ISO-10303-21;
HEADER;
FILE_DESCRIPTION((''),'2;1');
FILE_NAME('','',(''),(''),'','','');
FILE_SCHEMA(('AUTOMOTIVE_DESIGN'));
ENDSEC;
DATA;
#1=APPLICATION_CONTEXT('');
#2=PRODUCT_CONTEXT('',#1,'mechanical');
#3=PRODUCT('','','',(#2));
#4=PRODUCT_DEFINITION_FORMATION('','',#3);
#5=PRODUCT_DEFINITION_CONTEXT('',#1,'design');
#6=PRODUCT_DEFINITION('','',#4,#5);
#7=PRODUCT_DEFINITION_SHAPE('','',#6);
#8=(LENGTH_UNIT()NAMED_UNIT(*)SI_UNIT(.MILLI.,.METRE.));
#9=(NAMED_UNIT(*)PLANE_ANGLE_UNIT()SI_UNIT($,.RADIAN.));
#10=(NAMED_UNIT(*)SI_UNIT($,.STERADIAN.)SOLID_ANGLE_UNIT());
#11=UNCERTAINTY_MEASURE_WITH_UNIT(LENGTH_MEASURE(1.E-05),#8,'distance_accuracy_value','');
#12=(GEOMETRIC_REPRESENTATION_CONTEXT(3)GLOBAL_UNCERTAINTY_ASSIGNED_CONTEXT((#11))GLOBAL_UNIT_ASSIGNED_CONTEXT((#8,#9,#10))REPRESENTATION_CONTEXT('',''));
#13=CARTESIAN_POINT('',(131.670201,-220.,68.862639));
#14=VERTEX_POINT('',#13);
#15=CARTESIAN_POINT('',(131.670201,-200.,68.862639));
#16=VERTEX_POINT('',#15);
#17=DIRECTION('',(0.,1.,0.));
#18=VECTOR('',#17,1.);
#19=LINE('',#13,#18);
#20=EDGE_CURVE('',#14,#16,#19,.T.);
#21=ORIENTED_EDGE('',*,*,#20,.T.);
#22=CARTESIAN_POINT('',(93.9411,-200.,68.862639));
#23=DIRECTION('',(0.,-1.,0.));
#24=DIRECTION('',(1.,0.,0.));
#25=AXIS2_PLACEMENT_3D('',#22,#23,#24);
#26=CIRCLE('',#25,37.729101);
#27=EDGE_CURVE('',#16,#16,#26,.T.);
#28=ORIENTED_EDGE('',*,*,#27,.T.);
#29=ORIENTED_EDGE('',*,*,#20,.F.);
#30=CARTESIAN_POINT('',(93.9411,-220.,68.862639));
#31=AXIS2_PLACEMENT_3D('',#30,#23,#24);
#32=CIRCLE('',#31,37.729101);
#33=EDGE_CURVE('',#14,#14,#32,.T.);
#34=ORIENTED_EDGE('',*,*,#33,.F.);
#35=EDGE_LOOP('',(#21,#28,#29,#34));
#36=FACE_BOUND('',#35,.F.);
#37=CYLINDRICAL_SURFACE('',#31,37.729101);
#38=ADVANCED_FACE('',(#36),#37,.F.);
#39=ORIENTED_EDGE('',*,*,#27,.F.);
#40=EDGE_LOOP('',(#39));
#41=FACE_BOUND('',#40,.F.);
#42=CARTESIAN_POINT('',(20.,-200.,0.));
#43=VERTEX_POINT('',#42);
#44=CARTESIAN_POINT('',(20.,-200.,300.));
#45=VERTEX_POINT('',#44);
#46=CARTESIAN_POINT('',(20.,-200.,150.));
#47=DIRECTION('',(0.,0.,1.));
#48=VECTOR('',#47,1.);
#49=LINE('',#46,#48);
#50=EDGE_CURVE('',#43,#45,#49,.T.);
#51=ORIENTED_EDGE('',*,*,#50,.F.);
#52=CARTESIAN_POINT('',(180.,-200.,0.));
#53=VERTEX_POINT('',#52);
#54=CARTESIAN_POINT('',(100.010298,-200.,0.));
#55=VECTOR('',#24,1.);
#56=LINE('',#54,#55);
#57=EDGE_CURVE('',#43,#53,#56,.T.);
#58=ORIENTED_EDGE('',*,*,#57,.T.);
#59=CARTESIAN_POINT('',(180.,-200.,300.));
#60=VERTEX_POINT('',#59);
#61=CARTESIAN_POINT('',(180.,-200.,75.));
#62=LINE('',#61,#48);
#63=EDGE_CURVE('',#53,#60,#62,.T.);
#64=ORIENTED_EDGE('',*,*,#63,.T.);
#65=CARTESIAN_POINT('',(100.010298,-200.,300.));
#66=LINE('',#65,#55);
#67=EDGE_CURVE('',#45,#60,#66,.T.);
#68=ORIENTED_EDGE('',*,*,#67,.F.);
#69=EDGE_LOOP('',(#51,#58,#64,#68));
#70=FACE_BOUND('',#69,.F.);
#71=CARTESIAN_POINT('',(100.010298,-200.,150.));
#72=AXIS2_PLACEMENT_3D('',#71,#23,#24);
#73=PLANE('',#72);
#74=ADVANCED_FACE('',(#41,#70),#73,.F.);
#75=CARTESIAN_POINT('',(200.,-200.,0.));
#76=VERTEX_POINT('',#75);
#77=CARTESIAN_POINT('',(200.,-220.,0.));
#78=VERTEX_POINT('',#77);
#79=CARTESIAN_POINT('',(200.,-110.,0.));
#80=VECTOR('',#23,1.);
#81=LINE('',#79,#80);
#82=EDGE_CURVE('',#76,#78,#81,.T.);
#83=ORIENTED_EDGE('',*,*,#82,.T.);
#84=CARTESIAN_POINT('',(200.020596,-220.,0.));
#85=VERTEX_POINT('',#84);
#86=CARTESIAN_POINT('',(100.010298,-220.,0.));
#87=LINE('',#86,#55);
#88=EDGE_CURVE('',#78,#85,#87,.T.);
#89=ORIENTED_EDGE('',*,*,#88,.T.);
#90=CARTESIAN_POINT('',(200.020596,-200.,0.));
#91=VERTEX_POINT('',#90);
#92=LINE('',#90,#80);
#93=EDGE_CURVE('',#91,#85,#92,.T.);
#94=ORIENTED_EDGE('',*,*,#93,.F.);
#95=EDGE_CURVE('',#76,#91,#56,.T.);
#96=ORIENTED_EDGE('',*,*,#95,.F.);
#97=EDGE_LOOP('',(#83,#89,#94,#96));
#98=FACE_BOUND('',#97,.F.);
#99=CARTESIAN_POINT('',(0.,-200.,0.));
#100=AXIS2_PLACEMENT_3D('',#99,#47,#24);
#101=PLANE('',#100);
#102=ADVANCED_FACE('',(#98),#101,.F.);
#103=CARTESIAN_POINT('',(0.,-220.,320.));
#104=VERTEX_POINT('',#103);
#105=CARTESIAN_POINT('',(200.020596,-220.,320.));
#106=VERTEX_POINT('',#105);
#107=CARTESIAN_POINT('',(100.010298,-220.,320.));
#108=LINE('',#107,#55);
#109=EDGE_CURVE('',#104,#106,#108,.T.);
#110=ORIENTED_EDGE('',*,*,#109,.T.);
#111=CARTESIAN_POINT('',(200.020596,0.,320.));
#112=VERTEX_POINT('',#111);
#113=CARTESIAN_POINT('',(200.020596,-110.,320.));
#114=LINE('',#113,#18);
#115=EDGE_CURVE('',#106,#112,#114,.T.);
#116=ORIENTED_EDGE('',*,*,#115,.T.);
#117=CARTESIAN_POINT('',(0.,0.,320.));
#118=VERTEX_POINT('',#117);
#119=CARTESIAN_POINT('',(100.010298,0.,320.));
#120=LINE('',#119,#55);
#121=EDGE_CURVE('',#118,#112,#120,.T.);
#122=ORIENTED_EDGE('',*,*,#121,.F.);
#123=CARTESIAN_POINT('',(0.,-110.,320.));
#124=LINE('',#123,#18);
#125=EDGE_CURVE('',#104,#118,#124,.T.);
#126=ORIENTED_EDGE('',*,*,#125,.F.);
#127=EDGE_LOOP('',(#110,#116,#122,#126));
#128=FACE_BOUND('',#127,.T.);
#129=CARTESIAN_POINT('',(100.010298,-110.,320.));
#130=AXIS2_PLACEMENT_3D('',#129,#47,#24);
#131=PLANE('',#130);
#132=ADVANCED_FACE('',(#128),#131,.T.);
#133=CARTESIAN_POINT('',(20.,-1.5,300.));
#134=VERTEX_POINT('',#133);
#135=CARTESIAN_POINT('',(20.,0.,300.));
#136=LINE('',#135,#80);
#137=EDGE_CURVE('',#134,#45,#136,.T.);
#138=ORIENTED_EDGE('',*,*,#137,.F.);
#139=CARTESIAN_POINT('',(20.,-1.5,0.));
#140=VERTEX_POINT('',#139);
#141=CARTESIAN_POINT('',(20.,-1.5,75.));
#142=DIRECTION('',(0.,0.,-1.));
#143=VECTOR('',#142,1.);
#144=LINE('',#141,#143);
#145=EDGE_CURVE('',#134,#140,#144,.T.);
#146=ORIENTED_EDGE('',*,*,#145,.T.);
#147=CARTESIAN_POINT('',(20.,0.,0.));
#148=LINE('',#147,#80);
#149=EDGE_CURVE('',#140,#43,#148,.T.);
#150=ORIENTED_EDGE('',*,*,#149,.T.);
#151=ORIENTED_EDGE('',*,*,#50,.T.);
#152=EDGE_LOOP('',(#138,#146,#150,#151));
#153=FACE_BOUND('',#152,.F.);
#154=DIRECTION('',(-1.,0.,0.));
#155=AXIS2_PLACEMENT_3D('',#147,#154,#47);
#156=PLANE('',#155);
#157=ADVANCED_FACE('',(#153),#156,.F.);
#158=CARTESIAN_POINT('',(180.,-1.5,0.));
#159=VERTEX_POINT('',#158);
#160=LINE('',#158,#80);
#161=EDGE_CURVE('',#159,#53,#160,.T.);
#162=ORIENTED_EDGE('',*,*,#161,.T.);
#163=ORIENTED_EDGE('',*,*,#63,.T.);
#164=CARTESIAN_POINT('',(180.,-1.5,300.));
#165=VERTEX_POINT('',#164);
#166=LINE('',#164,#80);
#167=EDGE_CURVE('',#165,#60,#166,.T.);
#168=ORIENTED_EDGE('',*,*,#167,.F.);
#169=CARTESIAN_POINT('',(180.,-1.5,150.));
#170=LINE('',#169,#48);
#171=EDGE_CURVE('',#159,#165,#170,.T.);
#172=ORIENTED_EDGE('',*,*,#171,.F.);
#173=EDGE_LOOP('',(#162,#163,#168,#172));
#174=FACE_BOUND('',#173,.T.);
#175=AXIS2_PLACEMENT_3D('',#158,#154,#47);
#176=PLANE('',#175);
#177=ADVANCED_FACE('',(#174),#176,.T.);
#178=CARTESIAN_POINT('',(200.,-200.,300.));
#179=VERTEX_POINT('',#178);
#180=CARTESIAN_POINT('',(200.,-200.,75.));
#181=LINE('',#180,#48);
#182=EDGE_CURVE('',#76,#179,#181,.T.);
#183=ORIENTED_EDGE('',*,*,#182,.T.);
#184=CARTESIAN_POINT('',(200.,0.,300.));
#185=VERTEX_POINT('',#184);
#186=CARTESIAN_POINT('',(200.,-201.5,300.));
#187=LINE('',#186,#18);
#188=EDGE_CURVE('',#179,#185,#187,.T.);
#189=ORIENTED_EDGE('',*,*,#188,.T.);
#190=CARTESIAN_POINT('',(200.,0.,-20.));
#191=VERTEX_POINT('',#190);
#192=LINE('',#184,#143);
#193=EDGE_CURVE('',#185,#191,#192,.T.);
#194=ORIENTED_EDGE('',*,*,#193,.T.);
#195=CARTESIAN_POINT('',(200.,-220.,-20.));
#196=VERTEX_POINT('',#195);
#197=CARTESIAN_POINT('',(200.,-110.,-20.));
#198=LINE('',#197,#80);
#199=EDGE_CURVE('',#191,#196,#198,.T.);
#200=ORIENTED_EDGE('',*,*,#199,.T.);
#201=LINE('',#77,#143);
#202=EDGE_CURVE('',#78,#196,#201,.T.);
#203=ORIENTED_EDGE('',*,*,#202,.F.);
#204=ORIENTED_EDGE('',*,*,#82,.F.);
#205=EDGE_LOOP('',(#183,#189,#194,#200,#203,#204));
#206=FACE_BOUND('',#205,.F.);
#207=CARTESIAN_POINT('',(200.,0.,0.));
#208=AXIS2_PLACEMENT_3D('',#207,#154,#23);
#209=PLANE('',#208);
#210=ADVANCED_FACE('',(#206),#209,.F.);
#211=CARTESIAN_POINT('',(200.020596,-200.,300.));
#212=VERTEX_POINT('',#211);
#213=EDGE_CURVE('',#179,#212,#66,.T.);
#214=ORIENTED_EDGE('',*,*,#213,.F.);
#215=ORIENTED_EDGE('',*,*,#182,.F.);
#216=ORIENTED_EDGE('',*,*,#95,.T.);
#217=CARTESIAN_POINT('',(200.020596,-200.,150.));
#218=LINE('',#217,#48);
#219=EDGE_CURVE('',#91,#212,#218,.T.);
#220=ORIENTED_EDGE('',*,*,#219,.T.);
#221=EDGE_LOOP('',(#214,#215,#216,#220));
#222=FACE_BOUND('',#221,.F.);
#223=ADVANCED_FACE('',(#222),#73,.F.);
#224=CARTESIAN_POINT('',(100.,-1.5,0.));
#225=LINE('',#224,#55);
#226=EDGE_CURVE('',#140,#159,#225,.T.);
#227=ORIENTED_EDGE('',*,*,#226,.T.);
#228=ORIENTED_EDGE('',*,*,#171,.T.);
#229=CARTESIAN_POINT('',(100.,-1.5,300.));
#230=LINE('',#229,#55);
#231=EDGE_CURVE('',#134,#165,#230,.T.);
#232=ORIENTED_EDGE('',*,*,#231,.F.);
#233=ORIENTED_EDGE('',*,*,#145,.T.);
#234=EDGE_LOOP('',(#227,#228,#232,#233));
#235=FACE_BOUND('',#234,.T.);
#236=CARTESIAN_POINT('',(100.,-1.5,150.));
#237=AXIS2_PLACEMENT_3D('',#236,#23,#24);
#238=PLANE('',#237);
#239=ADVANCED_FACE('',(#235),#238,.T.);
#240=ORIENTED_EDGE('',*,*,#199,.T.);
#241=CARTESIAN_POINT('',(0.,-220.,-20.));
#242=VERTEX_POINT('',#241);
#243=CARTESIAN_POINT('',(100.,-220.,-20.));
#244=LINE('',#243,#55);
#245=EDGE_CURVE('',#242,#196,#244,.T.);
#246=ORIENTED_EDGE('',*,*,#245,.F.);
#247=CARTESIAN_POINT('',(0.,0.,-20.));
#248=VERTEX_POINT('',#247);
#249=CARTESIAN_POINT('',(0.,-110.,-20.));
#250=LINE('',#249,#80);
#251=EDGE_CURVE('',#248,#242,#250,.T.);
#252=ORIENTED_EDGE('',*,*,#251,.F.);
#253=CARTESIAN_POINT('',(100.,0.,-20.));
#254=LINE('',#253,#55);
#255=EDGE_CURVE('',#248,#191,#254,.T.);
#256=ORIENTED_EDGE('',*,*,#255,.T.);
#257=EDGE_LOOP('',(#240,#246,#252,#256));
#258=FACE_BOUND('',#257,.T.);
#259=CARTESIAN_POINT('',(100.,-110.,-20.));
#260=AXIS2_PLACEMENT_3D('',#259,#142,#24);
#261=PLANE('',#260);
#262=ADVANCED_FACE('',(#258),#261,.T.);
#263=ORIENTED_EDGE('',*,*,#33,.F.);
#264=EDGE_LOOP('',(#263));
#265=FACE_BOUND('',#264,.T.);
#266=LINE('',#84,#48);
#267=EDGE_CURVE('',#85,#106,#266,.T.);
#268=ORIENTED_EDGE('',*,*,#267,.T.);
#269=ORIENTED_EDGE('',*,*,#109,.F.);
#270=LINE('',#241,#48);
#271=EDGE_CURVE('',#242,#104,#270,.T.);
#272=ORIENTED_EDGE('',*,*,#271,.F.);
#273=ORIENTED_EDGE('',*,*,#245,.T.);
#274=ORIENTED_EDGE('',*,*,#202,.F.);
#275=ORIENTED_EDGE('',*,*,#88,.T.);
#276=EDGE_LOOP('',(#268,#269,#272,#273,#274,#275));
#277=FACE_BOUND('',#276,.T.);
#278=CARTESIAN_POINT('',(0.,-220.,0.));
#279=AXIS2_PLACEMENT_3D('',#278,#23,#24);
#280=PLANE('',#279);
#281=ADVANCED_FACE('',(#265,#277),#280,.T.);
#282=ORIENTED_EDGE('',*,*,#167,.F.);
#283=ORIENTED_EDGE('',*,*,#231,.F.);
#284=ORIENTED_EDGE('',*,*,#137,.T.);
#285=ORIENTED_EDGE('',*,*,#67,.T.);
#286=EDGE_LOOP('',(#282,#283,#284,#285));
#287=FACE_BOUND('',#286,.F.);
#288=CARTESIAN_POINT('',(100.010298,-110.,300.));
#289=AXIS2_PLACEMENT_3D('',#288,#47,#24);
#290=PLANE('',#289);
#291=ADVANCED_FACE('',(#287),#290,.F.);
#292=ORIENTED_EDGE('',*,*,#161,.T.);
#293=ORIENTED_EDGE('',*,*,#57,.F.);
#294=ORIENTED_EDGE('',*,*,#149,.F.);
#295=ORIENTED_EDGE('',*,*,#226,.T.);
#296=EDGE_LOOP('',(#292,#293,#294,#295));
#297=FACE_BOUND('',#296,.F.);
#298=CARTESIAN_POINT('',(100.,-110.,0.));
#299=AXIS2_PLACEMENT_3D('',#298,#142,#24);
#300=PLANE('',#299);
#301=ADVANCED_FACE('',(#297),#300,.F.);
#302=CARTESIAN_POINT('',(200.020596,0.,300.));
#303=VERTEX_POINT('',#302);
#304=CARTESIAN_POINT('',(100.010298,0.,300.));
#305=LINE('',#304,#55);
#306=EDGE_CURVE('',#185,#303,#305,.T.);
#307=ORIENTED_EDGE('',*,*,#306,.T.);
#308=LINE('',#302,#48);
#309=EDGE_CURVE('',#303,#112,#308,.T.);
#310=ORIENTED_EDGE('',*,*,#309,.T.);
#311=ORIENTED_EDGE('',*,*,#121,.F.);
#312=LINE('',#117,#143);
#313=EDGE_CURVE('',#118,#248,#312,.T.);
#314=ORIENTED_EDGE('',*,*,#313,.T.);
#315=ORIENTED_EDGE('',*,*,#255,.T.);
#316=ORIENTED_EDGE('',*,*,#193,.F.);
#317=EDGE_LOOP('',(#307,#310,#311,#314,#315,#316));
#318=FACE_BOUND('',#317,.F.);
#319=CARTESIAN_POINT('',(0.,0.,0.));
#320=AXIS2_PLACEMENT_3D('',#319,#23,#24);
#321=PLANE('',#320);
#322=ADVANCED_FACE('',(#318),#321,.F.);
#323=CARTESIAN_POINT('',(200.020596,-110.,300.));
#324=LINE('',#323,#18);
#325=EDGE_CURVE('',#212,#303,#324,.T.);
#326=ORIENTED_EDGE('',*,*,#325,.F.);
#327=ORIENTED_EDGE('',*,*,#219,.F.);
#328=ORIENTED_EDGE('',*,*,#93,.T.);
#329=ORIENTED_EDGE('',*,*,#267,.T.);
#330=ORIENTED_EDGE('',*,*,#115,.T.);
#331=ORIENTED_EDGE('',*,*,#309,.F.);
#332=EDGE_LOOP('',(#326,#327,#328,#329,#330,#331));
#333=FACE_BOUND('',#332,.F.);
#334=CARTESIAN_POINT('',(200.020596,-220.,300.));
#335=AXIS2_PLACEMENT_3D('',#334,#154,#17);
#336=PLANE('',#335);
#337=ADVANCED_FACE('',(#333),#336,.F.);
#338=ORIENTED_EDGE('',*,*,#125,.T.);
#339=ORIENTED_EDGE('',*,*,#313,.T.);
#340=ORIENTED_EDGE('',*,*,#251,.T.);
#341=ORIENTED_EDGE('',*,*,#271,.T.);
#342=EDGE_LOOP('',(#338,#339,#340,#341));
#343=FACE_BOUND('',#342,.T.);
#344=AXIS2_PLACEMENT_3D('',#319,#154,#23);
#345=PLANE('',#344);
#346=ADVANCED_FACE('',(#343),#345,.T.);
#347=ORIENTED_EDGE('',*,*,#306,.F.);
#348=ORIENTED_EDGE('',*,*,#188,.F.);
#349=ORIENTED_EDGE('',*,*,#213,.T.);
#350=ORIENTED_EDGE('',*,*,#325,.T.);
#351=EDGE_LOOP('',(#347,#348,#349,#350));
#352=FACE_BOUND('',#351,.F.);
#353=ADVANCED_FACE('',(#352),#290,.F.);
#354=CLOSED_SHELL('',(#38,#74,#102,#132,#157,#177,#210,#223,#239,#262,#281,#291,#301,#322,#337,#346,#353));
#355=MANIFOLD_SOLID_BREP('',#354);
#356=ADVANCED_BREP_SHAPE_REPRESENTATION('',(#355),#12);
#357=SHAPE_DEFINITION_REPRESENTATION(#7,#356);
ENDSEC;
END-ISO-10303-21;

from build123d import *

# Parameters (mm, degrees)
F0_W      = 200
F0_H      = 300
F1_DEPTH  = 1.5
F2_W      = 20
F2_H      = 300
F3_DEPTH  = 200
F4_W      = 20
F4_H      = 300
F5_DEPTH  = 200
F6_W      = 200.020596385
F6_H      = 300
F7_DEPTH  = 20
F8_W      = 200.020596385
F8_H      = 220
F9_DEPTH  = 20
F10_W     = 200
F10_H     = 220
F9_FACE_W = 200.020596385
F9_FACE_H = 220
F11_DEPTH = 20
F12_R     = 37.7291008544
F13_DEPTH = 92


with BuildPart() as f1:
    # F0 (on Front) → F1 (new body)
    with BuildSketch(Plane.XZ):
        with Locations((100, 150)):
            Rectangle(F0_W, F0_H)
    extrude(amount=F1_DEPTH)

    # F2 (on Front) → F3 (join)
    with BuildSketch(Plane.XZ):
        with Locations((10, 150)):
            Rectangle(F2_W, F2_H)
    extrude(amount=F3_DEPTH)

    # F4 (on face) → F5 (join)
    with BuildSketch(Plane.XZ.offset(1.5)):
        with Locations((190, 150)):
            Rectangle(F4_W, F4_H)
    extrude(amount=F5_DEPTH)

    # F6 (on face) → F7 (join)
    with BuildSketch(Plane.XZ.offset(200)):
        with Locations((100.0102981925, 150)):
            Rectangle(F6_W, F6_H)
    extrude(amount=F7_DEPTH)

    # F8 (on face) → F9 (join)
    with BuildSketch(Plane.XY.offset(300)):
        with Locations((100.0102981925, -110)):
            Rectangle(F8_W, F8_H)
    extrude(amount=F9_DEPTH)

    # F10 (on face) + F9_face (on face) → F11 (join)
    with BuildSketch(Plane(origin=(0, 0, 0), x_dir=(1, 0, 0), z_dir=(0, 0, -1))):
        with Locations((100, 110)):
            Rectangle(F10_W, F10_H)
    with BuildSketch(Plane(origin=(100.0102981925, -110, 320), x_dir=(1, 0, 0), z_dir=(0, 0, 1))):
        Rectangle(F9_FACE_W, F9_FACE_H)
    extrude(amount=F11_DEPTH, dir=(0, 0, -1))

    # F12 (on face) → F13 (cut)
    with BuildSketch(Plane.XZ.offset(220)):
        with Locations((93.9410999417, 68.8626393676)):
            Circle(F12_R)
    extrude(amount=-F13_DEPTH, mode=Mode.SUBTRACT)


solid = f1.part
